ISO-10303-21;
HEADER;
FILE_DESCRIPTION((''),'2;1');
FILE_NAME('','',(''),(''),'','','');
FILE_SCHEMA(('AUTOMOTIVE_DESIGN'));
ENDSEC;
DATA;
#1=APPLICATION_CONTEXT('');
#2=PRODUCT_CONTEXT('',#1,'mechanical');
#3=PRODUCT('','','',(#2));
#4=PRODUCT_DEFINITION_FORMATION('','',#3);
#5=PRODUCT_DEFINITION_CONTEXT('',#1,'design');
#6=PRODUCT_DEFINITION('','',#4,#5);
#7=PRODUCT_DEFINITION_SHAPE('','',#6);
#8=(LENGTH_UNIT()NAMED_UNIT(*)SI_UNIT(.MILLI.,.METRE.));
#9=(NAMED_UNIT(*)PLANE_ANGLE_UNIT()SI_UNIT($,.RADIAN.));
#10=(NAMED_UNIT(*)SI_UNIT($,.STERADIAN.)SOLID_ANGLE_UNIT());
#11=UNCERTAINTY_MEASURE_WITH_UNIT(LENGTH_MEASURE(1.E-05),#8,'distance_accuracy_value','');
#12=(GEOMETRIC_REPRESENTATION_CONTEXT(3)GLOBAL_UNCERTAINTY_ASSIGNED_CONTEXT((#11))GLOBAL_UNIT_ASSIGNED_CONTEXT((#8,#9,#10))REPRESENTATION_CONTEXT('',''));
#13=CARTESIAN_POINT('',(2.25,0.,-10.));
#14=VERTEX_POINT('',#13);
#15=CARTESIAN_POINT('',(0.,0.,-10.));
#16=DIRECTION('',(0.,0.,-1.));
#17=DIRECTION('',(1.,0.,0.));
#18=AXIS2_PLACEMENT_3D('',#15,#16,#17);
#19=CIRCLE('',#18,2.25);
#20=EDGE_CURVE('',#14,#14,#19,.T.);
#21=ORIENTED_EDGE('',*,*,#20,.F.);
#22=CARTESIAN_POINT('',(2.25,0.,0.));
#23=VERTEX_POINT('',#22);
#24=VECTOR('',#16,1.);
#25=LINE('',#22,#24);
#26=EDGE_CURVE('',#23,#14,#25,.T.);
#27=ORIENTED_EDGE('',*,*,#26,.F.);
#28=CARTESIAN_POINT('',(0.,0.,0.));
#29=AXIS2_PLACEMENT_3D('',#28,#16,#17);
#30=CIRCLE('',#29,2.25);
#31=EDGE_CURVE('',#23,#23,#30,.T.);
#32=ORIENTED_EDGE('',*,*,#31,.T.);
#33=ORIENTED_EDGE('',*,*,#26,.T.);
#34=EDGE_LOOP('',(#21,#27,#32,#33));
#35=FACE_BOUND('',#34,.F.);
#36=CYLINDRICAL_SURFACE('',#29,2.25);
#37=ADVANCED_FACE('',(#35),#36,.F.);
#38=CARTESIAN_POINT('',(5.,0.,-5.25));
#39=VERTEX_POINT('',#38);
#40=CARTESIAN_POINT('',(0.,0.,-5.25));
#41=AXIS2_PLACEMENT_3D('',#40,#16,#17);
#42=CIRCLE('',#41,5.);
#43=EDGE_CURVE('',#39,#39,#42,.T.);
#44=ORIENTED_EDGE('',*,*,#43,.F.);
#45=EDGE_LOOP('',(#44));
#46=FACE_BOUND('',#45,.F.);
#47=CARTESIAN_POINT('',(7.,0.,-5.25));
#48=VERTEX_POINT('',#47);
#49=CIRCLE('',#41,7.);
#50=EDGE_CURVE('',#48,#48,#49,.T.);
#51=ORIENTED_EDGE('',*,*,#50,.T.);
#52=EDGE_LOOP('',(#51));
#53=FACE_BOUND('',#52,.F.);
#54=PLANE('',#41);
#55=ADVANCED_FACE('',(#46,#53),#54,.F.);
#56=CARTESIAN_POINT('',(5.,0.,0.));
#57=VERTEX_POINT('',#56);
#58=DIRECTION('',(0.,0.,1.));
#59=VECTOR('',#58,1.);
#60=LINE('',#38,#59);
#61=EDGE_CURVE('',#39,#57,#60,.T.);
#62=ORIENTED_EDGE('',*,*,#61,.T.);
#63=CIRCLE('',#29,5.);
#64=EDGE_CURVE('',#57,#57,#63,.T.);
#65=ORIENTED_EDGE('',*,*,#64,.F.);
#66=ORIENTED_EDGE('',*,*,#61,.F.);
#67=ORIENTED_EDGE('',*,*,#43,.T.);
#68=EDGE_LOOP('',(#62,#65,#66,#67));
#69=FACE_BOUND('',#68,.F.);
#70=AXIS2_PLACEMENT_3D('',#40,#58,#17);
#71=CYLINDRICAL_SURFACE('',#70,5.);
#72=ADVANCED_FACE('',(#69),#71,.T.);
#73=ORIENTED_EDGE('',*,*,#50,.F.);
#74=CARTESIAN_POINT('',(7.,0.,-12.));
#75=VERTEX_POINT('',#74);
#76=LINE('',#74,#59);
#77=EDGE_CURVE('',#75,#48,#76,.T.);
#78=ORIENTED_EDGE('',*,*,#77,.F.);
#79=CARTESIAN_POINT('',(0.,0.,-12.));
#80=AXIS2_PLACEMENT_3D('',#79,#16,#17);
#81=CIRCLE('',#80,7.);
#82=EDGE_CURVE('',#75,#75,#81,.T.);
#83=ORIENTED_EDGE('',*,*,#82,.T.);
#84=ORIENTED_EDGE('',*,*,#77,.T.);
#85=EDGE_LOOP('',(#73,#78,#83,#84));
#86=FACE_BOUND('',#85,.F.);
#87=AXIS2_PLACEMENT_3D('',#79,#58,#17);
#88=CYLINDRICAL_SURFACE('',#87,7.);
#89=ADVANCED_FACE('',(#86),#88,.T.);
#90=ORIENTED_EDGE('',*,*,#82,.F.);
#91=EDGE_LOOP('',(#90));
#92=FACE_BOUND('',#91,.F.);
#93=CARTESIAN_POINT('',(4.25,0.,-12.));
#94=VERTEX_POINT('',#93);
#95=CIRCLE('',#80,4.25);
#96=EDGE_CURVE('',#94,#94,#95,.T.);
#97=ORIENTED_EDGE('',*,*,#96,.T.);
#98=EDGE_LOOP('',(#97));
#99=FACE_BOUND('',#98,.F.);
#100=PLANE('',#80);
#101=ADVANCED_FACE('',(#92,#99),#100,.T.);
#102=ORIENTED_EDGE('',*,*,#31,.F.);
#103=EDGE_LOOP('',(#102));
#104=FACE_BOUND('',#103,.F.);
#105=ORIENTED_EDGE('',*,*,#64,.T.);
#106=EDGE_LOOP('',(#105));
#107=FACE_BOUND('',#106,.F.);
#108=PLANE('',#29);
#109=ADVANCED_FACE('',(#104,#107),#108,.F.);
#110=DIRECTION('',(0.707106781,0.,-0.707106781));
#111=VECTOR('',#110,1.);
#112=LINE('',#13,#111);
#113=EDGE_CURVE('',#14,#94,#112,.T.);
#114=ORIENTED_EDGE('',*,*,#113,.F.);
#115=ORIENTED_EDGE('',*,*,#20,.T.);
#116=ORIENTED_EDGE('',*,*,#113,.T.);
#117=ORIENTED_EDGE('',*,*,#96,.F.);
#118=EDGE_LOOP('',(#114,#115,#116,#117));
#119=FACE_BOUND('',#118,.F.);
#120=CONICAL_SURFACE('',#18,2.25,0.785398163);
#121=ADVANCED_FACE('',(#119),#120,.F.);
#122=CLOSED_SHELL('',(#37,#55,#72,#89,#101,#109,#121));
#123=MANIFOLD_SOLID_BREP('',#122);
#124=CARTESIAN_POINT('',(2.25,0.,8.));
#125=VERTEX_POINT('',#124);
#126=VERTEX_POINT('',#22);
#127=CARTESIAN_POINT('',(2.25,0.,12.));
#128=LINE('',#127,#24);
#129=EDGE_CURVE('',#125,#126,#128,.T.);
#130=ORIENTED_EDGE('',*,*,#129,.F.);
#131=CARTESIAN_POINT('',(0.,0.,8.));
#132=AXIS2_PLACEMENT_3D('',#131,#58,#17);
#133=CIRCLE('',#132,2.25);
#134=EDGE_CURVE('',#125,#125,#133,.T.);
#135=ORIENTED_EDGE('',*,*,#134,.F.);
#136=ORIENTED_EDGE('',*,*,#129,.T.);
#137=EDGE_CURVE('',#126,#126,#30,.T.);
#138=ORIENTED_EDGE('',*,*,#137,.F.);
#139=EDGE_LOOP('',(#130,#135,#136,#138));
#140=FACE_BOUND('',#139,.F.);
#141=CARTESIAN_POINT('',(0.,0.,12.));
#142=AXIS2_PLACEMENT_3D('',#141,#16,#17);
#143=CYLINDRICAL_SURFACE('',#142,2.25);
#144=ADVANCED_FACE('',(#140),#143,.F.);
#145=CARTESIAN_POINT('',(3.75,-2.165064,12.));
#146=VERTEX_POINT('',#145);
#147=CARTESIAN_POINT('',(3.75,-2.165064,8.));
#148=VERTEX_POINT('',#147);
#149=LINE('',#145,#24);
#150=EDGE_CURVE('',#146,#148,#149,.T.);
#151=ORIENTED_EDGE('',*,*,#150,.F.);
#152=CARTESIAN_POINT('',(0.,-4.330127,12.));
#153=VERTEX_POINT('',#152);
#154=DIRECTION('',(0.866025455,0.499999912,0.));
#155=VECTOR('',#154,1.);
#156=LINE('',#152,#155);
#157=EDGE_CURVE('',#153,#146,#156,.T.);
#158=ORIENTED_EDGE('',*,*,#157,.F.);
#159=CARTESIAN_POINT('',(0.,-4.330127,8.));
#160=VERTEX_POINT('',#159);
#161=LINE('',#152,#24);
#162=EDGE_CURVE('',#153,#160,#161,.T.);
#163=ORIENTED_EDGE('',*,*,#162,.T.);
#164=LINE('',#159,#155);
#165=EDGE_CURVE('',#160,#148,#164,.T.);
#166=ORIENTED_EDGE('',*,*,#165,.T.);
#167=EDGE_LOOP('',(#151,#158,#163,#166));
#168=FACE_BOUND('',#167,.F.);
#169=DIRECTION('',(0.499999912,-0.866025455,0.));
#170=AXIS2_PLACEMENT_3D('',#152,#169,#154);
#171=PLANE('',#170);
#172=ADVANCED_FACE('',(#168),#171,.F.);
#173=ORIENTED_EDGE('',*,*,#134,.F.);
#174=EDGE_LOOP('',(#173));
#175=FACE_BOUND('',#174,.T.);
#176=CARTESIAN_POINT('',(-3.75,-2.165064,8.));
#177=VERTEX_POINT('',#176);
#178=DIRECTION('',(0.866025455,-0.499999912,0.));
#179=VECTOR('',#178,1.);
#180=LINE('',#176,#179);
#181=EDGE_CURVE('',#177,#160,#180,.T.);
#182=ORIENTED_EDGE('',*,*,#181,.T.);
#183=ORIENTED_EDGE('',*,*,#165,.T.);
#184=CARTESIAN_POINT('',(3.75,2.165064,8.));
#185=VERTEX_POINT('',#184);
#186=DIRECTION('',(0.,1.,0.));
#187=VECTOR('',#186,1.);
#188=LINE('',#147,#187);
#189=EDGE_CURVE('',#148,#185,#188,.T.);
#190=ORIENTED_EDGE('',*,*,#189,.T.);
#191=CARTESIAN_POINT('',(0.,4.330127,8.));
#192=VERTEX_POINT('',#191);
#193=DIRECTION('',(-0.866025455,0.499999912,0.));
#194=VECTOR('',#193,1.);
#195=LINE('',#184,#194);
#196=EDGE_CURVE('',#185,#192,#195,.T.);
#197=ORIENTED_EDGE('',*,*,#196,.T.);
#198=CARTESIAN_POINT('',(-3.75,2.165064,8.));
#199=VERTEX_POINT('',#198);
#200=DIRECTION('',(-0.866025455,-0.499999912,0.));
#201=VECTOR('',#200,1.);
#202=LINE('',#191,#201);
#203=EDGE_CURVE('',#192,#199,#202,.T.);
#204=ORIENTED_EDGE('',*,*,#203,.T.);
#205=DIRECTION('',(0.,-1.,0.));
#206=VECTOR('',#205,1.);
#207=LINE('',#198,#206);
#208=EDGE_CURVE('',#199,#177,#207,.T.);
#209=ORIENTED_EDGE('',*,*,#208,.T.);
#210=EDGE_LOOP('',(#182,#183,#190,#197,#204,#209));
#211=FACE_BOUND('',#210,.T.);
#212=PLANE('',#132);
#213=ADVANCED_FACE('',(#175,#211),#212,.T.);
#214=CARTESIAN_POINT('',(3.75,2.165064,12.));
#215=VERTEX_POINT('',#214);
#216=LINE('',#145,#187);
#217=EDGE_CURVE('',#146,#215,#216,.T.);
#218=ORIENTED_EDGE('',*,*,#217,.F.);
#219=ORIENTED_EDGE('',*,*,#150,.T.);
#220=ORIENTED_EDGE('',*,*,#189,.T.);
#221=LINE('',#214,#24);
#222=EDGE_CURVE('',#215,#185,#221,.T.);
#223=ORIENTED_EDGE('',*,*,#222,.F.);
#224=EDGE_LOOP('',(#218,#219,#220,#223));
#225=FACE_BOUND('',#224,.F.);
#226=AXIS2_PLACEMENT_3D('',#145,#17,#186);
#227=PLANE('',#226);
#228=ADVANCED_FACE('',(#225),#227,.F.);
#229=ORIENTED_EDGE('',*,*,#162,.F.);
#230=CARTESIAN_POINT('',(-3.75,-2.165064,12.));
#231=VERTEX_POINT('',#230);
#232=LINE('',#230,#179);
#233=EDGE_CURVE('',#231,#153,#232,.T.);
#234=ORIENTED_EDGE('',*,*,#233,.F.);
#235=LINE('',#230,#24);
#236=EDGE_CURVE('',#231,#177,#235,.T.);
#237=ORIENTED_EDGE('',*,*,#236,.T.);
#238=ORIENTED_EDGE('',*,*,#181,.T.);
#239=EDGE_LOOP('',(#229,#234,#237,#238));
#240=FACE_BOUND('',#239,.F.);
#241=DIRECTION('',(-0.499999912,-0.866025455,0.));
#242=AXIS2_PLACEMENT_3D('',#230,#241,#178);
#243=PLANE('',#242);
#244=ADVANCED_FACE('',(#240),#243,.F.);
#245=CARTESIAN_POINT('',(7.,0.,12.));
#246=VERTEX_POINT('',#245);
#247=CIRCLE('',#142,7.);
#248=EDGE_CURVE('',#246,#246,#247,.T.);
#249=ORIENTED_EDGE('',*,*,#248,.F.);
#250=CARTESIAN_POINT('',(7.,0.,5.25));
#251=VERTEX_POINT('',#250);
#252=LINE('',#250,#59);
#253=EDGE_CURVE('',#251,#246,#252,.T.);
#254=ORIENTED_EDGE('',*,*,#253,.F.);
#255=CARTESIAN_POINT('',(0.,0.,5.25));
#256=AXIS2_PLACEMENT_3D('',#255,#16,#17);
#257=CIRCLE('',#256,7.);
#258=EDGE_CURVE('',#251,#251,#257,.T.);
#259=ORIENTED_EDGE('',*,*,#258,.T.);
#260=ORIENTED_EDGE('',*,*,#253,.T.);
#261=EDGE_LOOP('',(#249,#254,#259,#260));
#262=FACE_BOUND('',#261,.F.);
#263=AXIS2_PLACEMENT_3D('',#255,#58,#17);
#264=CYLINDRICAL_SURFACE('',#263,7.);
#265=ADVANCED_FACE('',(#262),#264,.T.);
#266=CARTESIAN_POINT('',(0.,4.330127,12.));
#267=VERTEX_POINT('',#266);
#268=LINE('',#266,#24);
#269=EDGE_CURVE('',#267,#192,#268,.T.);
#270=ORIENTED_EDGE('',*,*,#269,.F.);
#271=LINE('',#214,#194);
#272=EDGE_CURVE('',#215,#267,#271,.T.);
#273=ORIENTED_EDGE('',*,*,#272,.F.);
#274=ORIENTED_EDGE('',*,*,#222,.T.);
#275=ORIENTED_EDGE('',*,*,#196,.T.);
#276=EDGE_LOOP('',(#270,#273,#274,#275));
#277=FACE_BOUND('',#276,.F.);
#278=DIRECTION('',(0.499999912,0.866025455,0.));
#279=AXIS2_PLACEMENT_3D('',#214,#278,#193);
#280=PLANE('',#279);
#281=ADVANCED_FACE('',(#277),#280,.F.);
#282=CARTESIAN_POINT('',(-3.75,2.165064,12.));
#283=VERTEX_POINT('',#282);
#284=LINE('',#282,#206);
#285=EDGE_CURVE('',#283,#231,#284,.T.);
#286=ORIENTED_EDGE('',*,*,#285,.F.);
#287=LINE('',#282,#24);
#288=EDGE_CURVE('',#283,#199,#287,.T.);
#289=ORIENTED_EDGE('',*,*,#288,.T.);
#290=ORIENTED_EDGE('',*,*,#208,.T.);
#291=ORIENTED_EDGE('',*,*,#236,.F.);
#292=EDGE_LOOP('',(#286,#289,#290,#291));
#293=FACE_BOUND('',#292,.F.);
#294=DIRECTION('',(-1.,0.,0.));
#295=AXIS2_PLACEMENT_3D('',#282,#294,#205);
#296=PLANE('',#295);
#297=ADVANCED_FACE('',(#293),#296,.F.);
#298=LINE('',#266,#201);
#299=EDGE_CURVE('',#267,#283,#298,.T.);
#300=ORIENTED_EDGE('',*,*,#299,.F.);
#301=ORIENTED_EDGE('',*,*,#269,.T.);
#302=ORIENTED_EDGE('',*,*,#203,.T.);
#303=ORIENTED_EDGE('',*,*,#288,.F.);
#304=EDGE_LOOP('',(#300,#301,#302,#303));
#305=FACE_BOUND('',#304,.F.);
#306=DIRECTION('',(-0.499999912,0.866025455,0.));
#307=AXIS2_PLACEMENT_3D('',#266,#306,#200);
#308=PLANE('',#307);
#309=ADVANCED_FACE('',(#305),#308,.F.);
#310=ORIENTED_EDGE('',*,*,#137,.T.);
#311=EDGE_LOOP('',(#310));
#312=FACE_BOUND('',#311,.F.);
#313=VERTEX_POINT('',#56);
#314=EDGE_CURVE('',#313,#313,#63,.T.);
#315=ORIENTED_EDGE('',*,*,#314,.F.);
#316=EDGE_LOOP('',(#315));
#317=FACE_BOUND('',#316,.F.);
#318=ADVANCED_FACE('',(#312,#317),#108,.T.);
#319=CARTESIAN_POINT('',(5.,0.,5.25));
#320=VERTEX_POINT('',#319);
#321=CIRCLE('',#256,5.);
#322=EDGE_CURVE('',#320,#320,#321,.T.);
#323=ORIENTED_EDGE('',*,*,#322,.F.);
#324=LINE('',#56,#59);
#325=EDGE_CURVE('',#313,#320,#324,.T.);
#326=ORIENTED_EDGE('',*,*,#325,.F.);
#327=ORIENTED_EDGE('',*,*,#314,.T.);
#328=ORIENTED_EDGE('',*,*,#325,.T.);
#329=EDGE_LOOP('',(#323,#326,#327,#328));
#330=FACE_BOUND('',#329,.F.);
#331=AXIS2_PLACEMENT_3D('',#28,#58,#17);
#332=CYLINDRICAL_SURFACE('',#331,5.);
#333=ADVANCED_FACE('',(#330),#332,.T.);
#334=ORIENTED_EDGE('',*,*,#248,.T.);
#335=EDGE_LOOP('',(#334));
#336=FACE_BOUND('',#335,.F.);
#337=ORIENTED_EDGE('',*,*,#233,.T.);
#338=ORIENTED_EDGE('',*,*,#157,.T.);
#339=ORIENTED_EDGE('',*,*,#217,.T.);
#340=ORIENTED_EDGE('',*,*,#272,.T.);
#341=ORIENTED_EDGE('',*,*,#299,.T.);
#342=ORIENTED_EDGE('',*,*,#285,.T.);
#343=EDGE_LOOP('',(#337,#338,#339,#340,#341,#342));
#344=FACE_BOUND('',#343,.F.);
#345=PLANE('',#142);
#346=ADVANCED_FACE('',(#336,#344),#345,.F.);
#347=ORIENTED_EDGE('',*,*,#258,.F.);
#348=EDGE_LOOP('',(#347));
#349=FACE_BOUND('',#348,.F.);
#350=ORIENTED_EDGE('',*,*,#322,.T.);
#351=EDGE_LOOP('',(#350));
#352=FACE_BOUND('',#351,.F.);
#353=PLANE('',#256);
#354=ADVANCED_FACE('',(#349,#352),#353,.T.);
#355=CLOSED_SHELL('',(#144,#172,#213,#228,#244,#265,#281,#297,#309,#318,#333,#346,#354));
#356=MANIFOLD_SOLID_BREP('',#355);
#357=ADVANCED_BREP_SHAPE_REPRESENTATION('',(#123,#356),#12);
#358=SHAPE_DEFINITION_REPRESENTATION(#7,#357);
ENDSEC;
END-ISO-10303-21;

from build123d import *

# Parameters (mm, degrees)
F3_R     = 2.25
F4_DEPTH = 4


with BuildPart() as f1:
    # F0 (on Front) → F1 (revolve)
    with BuildSketch(Plane.XZ):
        Polygon((5, 0), (2.25, 0), (2.25, -10), (4.25, -12), (7, -12), (7, -5.25), (5, -5.25), align=None)
    revolve(axis=Axis((0, 0, -0.502397), (0, 0, -1)))


with BuildPart() as f2:
    # F0 (on Front) → F2 (revolve)
    with BuildSketch(Plane.XZ):
        Polygon((7, 12), (2.25, 12), (2.25, 0), (5, 0), (5, 5.25), (7, 5.25), align=None)
    revolve(axis=Axis((0, 0, -0.502397), (0, 0, -1)))

    # F3 (on face) → F4 (cut)
    with BuildSketch(Plane.XY.offset(12)):
        Polygon((-3.75, 2.165064), (-3.75, -2.165064), (0, -4.330127), (3.75, -2.165064), (3.75, 2.165064), (0, 4.330127), align=None)
        Circle(F3_R, mode=Mode.SUBTRACT)
    extrude(amount=-F4_DEPTH, mode=Mode.SUBTRACT)


solid = Compound([f1.part, f2.part])
